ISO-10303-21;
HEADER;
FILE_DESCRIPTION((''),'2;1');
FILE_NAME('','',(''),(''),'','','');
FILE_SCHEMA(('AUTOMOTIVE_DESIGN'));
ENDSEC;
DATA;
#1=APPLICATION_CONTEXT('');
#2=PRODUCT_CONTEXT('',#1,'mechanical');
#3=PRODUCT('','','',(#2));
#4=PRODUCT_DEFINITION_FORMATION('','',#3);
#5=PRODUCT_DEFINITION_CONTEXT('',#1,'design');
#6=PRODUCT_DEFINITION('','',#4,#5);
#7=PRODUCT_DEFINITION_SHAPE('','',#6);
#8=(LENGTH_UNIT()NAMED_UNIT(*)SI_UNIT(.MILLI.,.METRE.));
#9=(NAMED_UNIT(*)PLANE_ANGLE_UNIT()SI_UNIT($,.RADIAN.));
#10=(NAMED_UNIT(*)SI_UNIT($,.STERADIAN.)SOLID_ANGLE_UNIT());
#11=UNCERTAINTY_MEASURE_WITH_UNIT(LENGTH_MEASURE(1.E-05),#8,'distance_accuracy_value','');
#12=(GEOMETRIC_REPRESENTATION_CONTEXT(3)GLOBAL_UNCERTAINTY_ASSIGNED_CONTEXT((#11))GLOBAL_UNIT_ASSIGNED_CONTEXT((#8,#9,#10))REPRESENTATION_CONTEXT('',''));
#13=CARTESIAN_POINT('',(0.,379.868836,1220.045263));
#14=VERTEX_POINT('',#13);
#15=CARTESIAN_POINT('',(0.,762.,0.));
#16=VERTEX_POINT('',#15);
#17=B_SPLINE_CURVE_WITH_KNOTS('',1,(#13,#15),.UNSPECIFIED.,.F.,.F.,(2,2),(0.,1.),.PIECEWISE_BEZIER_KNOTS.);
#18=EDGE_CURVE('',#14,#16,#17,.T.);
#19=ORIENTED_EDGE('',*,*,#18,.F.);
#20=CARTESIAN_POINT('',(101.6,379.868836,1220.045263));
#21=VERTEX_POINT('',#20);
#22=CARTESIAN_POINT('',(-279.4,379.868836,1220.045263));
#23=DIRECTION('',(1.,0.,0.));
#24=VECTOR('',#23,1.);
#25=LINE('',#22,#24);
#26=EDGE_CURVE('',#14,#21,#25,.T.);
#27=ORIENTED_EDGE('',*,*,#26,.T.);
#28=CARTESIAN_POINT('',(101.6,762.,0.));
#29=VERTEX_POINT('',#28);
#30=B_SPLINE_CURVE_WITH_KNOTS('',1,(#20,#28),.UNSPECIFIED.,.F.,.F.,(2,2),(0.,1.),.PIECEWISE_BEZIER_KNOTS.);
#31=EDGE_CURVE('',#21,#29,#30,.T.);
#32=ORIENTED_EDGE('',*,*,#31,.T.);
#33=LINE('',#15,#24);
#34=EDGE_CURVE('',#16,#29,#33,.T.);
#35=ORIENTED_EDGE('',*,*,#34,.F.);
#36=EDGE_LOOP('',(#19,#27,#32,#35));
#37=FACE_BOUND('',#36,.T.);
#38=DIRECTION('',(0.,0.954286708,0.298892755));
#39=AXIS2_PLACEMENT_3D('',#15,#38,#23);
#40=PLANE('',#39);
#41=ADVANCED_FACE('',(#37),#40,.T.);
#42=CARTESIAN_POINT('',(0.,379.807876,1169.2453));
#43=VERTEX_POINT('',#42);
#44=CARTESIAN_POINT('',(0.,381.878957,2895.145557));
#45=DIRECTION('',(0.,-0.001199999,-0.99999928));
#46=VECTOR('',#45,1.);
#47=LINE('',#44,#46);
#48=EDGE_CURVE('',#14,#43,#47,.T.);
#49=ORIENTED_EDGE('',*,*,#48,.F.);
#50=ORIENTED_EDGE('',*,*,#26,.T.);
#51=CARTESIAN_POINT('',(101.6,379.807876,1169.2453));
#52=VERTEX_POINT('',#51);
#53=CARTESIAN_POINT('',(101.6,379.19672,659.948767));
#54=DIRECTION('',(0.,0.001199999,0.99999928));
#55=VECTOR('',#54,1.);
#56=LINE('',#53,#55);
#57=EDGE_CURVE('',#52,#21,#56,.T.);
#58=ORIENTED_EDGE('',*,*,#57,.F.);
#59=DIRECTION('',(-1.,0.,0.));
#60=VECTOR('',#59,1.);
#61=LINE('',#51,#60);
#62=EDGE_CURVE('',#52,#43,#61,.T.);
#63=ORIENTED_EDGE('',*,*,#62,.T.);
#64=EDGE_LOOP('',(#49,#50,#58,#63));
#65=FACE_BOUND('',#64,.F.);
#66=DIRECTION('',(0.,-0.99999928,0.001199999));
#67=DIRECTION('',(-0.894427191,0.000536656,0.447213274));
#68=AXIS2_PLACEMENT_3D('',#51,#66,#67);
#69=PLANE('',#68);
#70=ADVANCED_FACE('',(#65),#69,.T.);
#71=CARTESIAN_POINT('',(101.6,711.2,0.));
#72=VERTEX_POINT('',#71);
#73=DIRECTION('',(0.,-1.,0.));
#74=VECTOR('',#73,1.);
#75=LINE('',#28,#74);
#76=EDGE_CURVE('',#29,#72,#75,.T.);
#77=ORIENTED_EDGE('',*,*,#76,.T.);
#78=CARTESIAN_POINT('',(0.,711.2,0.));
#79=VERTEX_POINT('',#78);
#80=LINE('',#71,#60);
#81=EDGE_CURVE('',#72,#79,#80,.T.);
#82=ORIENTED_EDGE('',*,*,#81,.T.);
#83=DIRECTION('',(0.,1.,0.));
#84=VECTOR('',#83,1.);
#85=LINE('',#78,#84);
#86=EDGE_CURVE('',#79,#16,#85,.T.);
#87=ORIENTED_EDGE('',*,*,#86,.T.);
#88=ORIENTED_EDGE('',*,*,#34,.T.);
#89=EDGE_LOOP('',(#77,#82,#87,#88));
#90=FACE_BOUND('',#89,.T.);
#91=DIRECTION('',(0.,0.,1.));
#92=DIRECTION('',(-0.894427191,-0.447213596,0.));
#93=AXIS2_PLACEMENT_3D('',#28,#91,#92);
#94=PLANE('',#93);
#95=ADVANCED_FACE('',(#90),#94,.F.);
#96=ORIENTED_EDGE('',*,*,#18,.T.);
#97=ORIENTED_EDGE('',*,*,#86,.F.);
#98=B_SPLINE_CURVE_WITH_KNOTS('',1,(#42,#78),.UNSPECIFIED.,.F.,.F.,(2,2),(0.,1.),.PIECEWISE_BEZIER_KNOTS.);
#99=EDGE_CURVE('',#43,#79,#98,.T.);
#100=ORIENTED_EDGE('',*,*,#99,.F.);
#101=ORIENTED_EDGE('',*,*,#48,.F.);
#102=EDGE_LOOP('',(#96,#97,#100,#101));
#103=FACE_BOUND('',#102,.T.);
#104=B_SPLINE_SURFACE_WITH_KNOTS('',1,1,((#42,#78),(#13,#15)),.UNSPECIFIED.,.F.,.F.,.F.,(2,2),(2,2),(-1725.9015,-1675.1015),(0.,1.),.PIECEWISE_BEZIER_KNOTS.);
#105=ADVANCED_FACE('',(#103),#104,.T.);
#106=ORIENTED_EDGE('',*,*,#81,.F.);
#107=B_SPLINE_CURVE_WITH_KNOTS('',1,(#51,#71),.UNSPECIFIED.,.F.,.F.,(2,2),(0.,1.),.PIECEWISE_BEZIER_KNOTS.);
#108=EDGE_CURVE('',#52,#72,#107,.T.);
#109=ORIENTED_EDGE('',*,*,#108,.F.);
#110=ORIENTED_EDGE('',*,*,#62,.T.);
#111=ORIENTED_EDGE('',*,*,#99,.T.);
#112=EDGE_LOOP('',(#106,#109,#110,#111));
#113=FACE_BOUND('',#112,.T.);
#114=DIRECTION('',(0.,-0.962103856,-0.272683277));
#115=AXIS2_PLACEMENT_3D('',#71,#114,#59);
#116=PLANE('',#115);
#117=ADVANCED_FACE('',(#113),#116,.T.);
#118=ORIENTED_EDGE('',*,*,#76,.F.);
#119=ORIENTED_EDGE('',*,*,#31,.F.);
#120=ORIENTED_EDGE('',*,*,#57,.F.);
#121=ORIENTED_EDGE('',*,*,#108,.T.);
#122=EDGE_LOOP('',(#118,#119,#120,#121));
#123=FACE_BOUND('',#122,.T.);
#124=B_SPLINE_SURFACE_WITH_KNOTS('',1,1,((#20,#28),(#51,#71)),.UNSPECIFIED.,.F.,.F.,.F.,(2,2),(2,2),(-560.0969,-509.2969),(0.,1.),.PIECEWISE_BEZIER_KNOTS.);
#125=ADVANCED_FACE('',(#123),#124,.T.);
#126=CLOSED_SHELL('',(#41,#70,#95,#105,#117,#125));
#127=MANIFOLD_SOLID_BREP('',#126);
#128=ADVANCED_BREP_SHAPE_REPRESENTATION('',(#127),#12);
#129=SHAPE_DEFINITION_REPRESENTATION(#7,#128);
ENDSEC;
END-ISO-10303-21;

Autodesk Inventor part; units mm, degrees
ref_plane "YZ Plane" through (0, 0, 0) normal (1, 0, 0) x (0, 1, 0)
ref_plane "XZ Plane" through (0, 0, 0) normal (0, 1, 0) x (-1, 0, 0)
ref_plane "XY Plane" through (0, 0, 0) normal (0, 0, 1) x (1, 0, 0)
ref_plane "Work Plane1" through (0, 0, 0) normal (0, 0, 1) x (1, 0, 0)
sketch "Sketch1" plane through (0, 0, 0) normal (0, 0, 1) x (1, 0, 0)
  line L0 (0, 762) -> (101.6, 762)
  line L1 (101.6, 762) -> (101.6, 711.2)
  line L2 (101.6, 711.2) -> (0, 711.2)
  line L3 (0, 711.2) -> (0, 762)
  point P0 (0, 0)
  dimension "d0" = 50.8
  dimension "d1" = 101.6
ref_plane "Work Plane2" through (50.8, 0, 1778) normal (0, 1, 0) x (0, 0, 1)
sketch "Sketch2" plane through (50.8, 0, 1778) normal (0, 1, 0) x (0, 0, 1)
  point P0 (-1778, -50.8)
ref_plane "Work Plane3" through (508, 379.808, 1169.3484) normal (0, 1, -0.0012) x (0, 0.0012, 1)
sketch "Sketch3" plane through (508, 379.808, 1169.3484) normal (0, 1, -0.0012) x (0, 0.0012, 1)
  line L0 (-509.4, -406.4) -> (1725.7984, -406.4) projected
  line L1 (-50.6969, 787.4) -> (-50.6969, -787.4) projected
  line L2 (50.6969, -787.4) -> (50.6969, 787.4) projected
  line L3 (1725.7984, -508) -> (-509.4, -508) projected
  line L4 (50.6969, -406.4) -> (-0.1031, -406.4)
  line L5 (-0.1031, -406.4) -> (-0.1031, -508)
  line L6 (-0.1031, -508) -> (50.6969, -508)
  line L7 (50.6969, -508) -> (50.6969, -406.4)
  point P0 (-1169.7996, -508)
  dimension "d2" = 50.8
loft "Loft1" add profiles "Sketch3", "Sketch1" contours L0 L2 L3 L5 / all
properties part number "UpperEarDiagonal"
